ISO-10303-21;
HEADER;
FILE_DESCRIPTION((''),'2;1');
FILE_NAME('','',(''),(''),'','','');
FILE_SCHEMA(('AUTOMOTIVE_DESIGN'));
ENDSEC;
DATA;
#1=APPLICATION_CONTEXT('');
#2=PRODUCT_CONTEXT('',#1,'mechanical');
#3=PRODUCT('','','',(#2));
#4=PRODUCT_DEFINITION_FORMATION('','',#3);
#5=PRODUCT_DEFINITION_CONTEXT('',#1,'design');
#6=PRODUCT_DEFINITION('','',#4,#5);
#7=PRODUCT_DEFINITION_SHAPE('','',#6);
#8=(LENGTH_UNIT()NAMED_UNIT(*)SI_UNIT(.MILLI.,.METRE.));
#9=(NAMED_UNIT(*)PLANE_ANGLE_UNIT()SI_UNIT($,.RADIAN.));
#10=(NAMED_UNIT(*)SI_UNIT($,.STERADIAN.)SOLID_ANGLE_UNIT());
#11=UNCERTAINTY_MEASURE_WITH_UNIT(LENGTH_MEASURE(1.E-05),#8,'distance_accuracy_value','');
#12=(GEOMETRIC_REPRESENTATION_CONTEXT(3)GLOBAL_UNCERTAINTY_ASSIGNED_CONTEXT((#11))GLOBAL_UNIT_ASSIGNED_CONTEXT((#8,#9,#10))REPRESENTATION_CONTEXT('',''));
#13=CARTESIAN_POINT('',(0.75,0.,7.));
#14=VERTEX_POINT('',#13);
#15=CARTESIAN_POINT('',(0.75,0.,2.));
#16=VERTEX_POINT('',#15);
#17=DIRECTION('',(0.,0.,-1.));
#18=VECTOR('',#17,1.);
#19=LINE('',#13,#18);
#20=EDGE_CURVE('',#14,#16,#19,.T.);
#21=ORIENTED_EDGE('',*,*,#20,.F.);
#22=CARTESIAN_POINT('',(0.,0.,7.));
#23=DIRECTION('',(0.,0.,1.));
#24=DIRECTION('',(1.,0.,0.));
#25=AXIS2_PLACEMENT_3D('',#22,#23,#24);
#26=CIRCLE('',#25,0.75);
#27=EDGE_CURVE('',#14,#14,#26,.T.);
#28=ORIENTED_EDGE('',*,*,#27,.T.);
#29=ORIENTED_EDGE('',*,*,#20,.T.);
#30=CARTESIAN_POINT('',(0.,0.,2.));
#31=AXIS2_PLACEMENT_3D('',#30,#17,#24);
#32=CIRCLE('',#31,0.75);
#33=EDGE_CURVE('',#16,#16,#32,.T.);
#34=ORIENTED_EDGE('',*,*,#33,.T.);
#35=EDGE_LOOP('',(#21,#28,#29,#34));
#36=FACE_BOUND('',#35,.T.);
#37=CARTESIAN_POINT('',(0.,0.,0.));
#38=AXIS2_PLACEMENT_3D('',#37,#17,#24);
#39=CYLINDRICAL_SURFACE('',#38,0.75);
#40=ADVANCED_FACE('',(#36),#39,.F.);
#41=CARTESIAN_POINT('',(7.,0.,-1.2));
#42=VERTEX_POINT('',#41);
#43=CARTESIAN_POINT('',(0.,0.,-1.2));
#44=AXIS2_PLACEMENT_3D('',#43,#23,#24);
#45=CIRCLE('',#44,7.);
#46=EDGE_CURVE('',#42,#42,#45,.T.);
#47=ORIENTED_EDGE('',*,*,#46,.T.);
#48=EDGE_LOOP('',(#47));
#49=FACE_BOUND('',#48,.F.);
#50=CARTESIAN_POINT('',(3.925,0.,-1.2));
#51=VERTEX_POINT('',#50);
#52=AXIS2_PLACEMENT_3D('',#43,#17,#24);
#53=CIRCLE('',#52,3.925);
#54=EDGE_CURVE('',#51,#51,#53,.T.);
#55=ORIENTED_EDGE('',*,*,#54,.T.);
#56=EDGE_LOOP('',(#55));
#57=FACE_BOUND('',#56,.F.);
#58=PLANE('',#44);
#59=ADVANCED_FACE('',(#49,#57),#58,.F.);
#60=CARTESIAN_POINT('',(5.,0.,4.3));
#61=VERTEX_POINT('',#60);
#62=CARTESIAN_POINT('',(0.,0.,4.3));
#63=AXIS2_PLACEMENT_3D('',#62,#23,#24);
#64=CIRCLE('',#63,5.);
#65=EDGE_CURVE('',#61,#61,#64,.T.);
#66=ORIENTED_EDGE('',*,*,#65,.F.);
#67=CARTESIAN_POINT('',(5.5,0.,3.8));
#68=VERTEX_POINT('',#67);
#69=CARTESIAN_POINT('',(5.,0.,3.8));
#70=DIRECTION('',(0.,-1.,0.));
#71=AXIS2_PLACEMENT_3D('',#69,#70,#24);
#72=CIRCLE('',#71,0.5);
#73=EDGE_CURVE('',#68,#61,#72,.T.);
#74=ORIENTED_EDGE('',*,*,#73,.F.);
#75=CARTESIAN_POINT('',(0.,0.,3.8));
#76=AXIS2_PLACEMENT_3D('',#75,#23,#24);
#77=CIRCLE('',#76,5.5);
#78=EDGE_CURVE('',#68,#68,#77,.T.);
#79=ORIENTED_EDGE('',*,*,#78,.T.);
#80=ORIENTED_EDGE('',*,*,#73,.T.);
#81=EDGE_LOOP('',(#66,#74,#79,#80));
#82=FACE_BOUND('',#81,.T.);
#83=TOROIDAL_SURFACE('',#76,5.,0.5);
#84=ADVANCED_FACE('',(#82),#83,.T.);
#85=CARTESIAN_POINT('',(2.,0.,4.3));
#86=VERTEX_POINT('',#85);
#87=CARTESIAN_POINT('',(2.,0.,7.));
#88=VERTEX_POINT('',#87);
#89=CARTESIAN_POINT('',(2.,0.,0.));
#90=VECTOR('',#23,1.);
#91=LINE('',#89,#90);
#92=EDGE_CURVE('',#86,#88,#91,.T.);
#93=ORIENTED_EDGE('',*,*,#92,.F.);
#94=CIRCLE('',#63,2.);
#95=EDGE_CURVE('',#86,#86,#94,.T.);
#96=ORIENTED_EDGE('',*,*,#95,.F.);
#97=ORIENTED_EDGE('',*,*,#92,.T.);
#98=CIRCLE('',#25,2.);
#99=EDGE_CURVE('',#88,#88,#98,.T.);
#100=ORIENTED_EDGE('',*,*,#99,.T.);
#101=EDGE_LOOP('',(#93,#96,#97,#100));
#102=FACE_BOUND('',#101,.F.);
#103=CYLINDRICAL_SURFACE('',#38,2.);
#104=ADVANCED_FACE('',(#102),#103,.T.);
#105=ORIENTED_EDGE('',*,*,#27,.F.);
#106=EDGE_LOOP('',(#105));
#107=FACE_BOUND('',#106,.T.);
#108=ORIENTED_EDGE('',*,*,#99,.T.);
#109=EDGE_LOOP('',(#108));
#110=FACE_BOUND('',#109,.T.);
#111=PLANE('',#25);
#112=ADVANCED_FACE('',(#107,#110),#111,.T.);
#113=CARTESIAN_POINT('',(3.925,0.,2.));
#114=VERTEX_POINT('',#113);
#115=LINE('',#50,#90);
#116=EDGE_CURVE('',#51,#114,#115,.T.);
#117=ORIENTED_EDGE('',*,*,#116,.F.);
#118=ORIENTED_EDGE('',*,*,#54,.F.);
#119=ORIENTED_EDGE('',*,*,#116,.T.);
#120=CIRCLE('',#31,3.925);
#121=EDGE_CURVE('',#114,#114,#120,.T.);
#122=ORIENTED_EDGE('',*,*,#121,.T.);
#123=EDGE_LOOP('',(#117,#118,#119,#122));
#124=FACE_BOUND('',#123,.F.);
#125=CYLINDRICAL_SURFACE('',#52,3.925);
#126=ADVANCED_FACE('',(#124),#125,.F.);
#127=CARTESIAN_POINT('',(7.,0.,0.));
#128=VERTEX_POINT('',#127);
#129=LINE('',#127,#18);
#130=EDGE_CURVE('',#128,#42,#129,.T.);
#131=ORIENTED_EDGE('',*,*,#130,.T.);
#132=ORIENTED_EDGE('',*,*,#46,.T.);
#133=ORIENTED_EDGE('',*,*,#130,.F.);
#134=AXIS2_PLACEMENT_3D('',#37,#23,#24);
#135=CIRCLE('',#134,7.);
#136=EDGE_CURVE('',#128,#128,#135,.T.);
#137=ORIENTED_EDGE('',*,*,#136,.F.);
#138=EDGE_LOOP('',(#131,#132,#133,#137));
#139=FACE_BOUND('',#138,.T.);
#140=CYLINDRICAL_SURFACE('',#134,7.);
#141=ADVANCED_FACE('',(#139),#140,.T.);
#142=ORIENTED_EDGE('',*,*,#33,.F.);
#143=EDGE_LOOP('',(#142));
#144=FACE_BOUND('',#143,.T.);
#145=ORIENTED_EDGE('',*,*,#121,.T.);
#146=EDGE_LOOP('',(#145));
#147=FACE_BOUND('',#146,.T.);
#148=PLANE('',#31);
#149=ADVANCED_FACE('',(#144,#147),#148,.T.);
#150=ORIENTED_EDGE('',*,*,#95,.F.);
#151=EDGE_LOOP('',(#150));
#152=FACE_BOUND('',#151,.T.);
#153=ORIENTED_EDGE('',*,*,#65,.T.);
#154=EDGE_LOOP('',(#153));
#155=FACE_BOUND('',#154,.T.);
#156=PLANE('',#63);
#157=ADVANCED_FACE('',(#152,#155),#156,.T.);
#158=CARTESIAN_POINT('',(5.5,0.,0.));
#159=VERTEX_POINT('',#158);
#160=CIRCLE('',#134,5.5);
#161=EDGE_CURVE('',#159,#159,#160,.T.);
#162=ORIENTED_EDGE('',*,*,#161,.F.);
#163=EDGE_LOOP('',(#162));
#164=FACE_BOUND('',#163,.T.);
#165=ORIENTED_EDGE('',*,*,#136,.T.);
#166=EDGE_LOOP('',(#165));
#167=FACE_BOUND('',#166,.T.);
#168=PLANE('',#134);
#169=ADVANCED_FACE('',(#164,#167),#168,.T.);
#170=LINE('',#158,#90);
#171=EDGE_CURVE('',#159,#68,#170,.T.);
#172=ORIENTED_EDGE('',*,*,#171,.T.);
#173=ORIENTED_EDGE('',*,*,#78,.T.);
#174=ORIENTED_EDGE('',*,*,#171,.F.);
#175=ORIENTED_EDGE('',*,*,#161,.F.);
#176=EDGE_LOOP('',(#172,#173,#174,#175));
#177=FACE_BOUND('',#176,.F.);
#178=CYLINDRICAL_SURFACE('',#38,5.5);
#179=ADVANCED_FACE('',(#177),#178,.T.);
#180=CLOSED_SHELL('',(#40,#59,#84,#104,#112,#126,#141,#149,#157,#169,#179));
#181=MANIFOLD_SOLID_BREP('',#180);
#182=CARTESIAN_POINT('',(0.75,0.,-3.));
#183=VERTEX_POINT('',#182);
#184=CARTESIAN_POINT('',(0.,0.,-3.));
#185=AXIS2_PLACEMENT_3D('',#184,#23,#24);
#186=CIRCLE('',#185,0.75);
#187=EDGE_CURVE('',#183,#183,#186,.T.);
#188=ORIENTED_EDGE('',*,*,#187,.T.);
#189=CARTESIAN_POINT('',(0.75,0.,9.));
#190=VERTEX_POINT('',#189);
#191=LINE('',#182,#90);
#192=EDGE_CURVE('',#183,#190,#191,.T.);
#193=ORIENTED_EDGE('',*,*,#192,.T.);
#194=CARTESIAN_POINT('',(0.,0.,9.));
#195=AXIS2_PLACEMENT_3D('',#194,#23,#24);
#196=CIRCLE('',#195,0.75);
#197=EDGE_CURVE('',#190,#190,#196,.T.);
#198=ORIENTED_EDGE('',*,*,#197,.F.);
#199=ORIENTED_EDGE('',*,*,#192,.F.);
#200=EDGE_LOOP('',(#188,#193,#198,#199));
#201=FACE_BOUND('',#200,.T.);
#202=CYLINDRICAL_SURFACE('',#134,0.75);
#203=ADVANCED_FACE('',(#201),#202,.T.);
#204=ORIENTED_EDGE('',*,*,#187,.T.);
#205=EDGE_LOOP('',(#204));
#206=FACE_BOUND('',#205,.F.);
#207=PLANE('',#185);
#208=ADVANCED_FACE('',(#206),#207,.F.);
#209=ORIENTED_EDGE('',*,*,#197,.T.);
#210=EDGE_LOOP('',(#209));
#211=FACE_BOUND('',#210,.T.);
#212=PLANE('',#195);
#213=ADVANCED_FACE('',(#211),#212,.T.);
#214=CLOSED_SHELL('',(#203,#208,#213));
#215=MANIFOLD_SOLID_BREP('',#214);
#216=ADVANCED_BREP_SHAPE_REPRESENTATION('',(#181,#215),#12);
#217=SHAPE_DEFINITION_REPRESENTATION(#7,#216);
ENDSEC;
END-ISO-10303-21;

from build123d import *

# Parameters (mm, degrees)
F0_R          = 7
F0_R_2        = 5.5
F0_R_3        = 2
F0_R_4        = 0.75
F1_DEPTH      = 1.2
F2_DEPTH      = 7
F3_DEPTH      = 9
F3_DEPTH_BACK = 3
F4_DEPTH      = 4.3
F5_R          = 0.5
F6_R          = 3.925
F7_DEPTH      = 3.2


with BuildPart() as f1:
    # F0 (on Top) → F1 (new body)
    with BuildSketch(Plane.XY):
        Circle(F0_R)
        Circle(F0_R_2, mode=Mode.SUBTRACT)
        Circle(F0_R_2)
        Circle(F0_R_3, mode=Mode.SUBTRACT)
        Circle(F0_R_3)
        Circle(F0_R_4, mode=Mode.SUBTRACT)
    extrude(amount=-F1_DEPTH)

    # F0 (on Top) → F2 (join)
    with BuildSketch(Plane.XY):
        Circle(F0_R_3)
        Circle(F0_R_4, mode=Mode.SUBTRACT)
    extrude(amount=F2_DEPTH)

    # F0 (on Top) → F4 (join)
    with BuildSketch(Plane.XY):
        Circle(F0_R_2)
        Circle(F0_R_3, mode=Mode.SUBTRACT)
    extrude(amount=F4_DEPTH)

    # F5
    f5_edges = [f1.edges().sort_by_distance(p)[0] for p in [
        (-5.5, 0, 4.3),
    ]]
    fillet(f5_edges, radius=F5_R)

    # F6 (on face) → F7 (cut)
    with BuildSketch(Plane(origin=(0, 0, -1.2), x_dir=(1, 0, 0), z_dir=(0, 0, -1))):
        Circle(F6_R)
    extrude(amount=-F7_DEPTH, mode=Mode.SUBTRACT)


with BuildPart() as f3:
    # F0 (on Top) → F3 (new body, two sides)
    with BuildSketch(Plane.XY) as f3_sk:
        Circle(F0_R_4)
    extrude(amount=F3_DEPTH)
    extrude(f3_sk.sketch, amount=-F3_DEPTH_BACK)


solid = Compound([f1.part, f3.part])
